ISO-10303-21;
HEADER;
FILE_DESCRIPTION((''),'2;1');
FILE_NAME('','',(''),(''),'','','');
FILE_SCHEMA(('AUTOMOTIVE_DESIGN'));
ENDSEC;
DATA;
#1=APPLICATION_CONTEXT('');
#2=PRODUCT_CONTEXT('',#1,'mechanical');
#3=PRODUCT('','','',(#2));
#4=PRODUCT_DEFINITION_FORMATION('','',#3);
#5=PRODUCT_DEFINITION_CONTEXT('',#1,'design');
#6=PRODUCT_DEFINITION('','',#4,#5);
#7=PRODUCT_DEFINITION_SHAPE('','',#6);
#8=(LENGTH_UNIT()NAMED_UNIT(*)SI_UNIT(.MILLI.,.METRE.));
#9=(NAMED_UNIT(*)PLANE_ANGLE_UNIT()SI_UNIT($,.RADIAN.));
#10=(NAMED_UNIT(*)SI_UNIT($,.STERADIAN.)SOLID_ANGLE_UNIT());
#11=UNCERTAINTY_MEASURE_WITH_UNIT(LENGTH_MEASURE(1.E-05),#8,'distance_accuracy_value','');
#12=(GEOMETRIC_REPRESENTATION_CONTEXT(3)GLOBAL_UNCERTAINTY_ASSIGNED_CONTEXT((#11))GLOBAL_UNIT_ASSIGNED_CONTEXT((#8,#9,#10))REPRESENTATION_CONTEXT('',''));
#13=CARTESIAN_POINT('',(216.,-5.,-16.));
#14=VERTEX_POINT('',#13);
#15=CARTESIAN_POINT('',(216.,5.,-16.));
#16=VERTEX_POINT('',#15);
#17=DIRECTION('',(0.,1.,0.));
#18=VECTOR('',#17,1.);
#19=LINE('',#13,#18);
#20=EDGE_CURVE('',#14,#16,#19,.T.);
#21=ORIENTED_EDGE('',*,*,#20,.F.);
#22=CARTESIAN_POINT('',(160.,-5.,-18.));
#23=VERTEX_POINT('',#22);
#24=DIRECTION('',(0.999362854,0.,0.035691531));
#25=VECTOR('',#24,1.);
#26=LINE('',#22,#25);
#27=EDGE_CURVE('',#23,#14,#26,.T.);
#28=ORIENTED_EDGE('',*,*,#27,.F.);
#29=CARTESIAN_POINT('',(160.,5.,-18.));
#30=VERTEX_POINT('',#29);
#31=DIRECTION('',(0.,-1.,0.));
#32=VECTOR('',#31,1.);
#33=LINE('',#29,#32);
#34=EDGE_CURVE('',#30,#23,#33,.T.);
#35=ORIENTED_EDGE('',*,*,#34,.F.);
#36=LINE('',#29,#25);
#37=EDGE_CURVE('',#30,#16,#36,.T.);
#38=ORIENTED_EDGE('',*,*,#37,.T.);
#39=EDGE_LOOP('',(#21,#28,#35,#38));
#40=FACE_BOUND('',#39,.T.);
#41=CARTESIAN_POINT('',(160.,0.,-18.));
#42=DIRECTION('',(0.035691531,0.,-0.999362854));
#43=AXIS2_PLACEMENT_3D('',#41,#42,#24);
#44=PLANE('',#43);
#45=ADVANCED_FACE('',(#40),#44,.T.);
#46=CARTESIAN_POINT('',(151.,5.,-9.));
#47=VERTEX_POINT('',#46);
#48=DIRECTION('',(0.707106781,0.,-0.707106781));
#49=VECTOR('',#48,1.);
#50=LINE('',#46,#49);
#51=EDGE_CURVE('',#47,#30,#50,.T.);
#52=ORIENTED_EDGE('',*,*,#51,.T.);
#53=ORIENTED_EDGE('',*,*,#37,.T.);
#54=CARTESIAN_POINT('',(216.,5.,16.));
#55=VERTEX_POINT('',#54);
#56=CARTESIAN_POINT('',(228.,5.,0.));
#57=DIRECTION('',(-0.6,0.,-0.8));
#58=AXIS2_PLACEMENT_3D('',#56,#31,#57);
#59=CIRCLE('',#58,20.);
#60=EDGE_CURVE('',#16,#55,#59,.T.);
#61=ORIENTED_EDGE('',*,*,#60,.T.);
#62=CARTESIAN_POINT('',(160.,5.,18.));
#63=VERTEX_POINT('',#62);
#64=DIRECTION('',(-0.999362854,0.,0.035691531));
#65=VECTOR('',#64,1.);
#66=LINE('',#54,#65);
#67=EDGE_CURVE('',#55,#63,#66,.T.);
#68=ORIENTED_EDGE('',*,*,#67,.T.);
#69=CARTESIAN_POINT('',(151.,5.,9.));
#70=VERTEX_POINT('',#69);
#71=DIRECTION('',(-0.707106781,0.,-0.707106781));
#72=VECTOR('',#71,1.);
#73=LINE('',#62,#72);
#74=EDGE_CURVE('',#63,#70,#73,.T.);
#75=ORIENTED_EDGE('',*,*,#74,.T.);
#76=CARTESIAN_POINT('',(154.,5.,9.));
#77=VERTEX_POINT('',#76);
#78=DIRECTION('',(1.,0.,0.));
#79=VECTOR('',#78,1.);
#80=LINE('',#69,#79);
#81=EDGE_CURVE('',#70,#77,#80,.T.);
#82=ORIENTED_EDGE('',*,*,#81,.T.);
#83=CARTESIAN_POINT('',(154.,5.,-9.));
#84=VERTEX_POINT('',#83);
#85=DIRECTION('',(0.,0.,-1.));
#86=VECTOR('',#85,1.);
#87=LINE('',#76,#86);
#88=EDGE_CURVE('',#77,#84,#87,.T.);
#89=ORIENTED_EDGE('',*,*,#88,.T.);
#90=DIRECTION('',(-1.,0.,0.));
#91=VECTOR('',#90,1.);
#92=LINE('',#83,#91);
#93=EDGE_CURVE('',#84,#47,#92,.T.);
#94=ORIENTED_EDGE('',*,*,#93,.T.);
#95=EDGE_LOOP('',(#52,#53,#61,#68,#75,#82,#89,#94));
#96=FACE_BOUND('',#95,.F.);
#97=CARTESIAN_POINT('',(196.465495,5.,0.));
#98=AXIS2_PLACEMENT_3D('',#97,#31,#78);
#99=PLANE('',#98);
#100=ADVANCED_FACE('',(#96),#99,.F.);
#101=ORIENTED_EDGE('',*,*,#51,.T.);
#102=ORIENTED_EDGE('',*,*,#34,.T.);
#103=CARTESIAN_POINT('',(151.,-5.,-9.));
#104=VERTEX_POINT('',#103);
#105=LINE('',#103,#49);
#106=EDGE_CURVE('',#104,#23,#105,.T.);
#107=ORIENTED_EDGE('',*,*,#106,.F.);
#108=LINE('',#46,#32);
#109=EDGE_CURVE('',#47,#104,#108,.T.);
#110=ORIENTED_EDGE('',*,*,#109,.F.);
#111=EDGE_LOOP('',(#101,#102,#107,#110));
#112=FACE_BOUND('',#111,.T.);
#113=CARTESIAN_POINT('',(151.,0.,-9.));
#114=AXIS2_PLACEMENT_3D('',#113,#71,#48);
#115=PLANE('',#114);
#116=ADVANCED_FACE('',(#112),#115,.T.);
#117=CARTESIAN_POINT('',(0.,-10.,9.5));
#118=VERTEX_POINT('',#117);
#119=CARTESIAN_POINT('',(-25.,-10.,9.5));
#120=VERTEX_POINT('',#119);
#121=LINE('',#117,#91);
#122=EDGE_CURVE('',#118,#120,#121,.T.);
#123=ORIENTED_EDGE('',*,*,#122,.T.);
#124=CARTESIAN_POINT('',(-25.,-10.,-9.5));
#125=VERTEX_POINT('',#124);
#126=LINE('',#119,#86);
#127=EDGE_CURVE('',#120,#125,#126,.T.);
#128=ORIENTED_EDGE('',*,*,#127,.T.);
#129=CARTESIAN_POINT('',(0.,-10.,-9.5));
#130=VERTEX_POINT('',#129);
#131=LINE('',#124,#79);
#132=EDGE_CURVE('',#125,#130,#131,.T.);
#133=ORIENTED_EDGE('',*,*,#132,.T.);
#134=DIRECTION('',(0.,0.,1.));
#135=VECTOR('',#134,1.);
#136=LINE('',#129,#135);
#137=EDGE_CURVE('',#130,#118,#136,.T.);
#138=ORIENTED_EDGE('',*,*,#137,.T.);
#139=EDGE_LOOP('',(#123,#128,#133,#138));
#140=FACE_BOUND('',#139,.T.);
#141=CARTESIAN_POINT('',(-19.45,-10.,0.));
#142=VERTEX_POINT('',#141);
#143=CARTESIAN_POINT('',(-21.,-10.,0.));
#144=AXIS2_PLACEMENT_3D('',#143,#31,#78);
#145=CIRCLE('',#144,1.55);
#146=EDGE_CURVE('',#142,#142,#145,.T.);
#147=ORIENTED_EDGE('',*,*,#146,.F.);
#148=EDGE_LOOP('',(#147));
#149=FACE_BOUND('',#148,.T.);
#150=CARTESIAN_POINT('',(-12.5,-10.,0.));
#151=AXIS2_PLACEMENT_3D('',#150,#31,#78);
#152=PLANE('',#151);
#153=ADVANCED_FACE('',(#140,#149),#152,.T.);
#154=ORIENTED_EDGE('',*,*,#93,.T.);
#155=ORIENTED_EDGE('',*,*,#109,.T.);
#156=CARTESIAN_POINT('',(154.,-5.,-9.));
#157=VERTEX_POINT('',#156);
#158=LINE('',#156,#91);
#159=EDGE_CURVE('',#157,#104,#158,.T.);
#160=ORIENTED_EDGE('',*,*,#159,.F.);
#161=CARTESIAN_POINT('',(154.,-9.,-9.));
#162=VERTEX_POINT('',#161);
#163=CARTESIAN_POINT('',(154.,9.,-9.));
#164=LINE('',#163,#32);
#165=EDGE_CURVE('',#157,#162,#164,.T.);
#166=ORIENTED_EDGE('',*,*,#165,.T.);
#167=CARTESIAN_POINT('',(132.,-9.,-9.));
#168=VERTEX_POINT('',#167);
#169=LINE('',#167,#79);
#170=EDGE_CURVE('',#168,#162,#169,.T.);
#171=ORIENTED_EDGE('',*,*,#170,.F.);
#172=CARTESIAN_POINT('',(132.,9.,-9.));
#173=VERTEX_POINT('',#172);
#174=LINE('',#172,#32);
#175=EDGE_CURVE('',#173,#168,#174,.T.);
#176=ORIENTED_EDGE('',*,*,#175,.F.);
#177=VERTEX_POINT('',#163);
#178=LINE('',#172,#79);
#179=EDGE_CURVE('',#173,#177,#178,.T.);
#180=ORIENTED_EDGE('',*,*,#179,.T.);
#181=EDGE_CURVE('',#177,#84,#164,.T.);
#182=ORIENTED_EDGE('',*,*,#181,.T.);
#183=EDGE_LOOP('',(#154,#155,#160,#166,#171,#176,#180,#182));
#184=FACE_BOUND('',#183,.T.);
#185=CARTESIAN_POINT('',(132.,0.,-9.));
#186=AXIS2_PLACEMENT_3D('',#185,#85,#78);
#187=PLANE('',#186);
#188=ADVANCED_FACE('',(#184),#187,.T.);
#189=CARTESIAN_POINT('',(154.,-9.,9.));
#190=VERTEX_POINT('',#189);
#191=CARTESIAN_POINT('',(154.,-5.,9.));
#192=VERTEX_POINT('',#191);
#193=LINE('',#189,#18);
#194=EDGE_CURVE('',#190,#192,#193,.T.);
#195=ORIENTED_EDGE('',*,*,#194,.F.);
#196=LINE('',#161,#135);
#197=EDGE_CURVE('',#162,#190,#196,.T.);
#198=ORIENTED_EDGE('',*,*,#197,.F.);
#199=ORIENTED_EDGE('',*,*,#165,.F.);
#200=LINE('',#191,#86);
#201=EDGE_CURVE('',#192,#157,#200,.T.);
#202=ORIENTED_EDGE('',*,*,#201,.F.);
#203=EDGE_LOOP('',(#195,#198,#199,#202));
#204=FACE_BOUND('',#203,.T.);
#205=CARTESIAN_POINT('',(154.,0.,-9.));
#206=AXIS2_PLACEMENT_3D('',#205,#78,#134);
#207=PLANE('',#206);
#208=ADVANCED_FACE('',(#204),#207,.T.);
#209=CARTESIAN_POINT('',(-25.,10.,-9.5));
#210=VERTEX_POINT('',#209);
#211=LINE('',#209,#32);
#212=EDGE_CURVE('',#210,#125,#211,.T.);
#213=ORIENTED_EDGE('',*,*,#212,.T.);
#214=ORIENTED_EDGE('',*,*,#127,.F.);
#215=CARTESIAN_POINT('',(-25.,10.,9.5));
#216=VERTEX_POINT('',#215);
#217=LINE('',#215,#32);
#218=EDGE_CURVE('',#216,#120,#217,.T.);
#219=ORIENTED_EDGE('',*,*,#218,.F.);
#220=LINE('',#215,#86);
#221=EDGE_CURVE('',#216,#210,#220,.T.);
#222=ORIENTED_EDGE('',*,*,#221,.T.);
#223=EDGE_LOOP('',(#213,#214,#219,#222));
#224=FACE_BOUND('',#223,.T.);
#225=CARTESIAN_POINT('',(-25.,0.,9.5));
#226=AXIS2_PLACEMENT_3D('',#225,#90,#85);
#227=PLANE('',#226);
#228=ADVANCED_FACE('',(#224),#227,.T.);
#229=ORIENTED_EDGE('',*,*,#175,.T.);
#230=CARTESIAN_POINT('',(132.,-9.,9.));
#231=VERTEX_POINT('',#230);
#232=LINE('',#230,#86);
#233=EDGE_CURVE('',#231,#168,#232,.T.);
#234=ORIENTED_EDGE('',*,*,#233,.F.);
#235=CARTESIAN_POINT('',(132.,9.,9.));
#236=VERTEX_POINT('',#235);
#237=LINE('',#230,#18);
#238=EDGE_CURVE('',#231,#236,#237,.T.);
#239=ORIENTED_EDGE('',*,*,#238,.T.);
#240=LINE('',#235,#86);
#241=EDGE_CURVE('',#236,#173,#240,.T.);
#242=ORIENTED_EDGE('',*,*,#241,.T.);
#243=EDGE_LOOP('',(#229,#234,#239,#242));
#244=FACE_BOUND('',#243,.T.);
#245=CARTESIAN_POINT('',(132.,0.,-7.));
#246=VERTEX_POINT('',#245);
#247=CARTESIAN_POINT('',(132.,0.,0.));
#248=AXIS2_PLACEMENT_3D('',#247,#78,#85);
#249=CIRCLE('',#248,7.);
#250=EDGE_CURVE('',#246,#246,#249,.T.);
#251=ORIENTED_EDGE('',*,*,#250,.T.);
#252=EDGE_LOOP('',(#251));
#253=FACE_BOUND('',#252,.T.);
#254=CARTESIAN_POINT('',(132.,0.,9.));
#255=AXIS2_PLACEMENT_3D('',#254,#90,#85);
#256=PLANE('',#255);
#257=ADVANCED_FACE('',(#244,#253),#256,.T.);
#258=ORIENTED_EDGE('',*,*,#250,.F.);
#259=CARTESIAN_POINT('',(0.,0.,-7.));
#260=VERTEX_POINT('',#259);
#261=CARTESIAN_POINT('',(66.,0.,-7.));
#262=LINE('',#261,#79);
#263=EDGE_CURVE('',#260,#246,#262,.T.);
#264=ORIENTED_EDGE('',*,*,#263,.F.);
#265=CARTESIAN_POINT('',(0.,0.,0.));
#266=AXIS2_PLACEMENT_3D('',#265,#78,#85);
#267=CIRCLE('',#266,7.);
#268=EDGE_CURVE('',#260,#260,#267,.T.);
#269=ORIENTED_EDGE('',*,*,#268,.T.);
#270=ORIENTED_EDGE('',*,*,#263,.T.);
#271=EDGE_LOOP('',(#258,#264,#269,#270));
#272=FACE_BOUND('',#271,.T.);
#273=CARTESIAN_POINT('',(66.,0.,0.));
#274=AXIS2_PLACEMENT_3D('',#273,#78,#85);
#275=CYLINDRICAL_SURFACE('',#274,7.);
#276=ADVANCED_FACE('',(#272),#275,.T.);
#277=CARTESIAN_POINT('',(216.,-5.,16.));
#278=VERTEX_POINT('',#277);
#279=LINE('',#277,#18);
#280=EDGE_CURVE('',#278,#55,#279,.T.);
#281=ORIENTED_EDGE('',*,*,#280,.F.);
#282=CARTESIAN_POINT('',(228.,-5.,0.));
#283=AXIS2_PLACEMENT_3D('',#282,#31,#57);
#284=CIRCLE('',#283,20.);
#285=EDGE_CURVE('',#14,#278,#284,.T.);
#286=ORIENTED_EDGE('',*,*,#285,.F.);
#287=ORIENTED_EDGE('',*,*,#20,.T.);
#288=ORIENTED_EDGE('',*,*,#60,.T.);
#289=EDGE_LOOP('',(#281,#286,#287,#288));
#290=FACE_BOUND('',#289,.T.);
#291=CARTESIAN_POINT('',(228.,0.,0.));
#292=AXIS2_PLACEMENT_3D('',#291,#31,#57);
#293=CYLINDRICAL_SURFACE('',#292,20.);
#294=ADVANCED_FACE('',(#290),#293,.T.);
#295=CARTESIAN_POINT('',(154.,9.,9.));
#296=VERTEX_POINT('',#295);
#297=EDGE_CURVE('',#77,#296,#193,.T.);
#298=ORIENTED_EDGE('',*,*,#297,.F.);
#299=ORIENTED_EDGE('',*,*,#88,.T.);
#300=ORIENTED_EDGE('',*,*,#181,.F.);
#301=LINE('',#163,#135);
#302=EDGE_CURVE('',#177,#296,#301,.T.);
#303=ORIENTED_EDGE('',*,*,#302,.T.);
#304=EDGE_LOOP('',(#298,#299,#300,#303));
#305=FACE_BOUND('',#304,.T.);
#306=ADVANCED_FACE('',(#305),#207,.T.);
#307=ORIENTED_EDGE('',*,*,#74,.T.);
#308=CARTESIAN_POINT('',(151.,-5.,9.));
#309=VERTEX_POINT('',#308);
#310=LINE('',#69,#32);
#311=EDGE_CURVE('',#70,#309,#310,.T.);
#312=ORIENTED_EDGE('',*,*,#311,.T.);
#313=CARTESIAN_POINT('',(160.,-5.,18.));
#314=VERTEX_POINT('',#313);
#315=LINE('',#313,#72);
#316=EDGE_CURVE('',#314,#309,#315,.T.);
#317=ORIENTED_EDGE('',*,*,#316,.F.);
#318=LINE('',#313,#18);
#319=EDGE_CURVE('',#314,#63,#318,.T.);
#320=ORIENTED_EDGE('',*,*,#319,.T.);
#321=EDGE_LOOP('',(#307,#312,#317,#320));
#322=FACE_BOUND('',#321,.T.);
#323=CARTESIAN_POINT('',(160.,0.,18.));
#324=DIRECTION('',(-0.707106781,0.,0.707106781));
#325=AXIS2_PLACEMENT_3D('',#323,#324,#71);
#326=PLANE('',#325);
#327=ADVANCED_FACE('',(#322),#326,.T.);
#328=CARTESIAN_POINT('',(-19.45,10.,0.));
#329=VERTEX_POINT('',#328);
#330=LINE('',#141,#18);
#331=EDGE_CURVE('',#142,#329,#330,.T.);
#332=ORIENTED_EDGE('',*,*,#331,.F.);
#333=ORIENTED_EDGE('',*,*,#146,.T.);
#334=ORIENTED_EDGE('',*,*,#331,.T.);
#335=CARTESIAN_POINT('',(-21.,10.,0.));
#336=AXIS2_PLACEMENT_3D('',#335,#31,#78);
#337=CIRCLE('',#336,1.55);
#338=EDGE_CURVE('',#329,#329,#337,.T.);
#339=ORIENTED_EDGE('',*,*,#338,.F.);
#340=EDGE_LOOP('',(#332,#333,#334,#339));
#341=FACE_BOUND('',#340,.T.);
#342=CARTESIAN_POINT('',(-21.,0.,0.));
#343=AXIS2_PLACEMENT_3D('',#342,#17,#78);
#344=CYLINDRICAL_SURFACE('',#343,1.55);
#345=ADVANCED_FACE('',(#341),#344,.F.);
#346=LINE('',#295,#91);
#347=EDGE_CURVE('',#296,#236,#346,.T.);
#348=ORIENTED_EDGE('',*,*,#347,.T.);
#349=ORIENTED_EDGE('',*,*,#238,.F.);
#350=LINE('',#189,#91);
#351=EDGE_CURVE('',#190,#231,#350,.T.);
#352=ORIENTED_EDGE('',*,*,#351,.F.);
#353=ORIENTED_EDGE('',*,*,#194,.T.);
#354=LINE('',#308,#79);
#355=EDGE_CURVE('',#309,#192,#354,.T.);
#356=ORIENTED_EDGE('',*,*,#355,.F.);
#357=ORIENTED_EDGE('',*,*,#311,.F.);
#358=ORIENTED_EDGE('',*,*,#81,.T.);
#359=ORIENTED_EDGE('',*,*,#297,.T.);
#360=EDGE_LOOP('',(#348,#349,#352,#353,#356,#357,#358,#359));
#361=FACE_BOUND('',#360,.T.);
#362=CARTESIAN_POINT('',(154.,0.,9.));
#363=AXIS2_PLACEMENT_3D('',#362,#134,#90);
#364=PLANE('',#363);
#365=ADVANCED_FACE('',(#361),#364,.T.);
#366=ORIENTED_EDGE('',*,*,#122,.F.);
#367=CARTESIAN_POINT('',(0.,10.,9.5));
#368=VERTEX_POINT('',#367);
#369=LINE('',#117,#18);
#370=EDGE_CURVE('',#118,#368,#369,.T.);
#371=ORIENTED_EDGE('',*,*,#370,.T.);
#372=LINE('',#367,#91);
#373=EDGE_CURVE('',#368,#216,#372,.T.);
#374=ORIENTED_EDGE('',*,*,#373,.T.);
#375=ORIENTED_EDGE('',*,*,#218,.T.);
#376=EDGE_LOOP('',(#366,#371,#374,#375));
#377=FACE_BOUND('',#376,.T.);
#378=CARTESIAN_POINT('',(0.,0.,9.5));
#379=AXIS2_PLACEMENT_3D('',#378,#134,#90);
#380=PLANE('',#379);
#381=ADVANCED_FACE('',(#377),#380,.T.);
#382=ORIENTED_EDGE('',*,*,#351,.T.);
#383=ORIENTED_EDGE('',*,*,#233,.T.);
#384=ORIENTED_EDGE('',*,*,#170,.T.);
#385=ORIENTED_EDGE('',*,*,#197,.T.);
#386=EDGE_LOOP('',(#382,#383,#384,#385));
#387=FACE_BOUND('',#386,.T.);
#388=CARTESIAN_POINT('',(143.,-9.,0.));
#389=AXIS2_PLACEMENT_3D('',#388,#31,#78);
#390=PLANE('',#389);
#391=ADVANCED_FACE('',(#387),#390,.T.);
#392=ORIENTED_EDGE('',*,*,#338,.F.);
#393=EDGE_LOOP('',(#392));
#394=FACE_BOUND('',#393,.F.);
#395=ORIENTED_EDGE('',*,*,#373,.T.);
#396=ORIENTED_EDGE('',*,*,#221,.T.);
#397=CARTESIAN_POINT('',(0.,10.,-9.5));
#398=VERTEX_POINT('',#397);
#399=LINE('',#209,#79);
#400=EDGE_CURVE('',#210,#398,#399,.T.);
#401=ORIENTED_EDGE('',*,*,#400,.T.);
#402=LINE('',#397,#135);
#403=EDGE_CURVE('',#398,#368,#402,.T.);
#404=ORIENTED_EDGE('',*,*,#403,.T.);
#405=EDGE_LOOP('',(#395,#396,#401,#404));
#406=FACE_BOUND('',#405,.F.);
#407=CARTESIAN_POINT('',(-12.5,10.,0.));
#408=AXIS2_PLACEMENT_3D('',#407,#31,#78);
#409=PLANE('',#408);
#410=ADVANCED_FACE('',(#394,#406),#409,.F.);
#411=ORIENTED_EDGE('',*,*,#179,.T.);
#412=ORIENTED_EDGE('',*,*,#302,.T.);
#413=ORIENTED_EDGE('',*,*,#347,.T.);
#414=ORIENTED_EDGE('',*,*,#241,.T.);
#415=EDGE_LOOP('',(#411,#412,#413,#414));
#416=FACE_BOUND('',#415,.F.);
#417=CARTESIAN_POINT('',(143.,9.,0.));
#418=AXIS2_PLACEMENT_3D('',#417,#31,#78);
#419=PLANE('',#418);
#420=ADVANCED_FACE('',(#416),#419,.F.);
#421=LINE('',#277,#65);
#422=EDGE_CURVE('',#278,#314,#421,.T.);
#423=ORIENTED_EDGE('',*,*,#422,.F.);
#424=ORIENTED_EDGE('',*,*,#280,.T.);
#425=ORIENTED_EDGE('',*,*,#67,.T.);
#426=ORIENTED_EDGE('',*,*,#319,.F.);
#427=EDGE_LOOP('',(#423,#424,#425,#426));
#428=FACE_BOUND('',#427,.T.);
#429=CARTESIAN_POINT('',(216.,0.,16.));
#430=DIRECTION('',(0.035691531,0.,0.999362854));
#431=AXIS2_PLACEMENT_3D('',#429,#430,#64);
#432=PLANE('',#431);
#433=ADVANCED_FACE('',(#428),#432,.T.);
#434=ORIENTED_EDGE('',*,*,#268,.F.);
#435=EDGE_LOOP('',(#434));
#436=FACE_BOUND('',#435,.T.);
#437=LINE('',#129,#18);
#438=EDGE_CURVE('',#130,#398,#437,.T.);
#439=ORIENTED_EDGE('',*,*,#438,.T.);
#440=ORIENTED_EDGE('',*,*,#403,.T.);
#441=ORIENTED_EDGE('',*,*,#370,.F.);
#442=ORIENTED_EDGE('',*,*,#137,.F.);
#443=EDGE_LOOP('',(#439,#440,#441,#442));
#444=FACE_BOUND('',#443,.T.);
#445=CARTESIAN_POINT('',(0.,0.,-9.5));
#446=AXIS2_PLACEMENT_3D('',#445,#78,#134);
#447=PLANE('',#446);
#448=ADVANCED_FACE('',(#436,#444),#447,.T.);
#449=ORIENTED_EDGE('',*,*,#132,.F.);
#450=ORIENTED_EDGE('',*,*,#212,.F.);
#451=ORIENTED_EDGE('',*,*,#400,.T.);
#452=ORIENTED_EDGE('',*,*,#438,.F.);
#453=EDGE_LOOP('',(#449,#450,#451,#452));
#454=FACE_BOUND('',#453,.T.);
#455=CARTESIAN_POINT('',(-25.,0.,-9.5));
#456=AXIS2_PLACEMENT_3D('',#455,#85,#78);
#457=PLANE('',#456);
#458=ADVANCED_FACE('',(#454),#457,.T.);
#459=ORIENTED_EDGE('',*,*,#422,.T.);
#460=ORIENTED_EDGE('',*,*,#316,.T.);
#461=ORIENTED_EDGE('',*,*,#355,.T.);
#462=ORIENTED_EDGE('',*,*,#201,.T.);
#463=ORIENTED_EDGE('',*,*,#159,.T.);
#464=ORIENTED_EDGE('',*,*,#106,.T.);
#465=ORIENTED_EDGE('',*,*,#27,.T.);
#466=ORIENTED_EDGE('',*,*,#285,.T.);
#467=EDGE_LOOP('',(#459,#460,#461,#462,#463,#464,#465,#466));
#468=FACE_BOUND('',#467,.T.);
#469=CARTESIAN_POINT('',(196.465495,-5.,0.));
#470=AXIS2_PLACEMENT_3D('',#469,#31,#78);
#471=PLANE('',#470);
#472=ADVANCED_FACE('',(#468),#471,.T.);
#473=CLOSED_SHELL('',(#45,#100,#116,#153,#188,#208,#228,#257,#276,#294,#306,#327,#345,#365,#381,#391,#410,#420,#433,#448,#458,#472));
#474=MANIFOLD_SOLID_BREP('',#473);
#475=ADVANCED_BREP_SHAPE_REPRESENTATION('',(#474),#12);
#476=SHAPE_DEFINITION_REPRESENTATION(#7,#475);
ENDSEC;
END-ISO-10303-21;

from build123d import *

# Parameters (mm, degrees)
F0_W     = 132
F0_H     = 7
F2_DEPTH = 9
F3_DEPTH = 5
F0_R     = 1.55
F4_DEPTH = 10


with BuildPart() as f1:
    # F0 (on Front) → F1 (revolve)
    with BuildSketch(Plane.XZ):
        with Locations((66, -3.5)):
            Rectangle(F0_W, F0_H)
    revolve(axis=Axis((66, 0, 0), (1, 0, 0)))

    # F0 (on Front) → F2 (join, symmetric)
    with BuildSketch(Plane.XZ):
        Polygon((132, 9), (132, 0), (132, -7), (132, -9), (151, -9), (154, -9), (154, 9), (151, 9), align=None)
    extrude(amount=F2_DEPTH, both=True)

    # F0 (on Front) → F3 (join, symmetric)
    with BuildSketch(Plane.XZ):
        with BuildLine():
            Line((160, 18), (151, 9))
            Line((151, 9), (154, 9))
            Line((154, 9), (154, -9))
            Line((154, -9), (151, -9))
            Line((151, -9), (160, -18))
            Line((160, -18), (216, -16))
            ThreePointArc((216, -16), (248, 0), (216, 16))
            Line((216, 16), (160, 18))
        make_face()
    extrude(amount=F3_DEPTH, both=True)

    # F0 (on Front) → F4 (join, symmetric)
    with BuildSketch(Plane.XZ):
        Polygon((0, -7), (0, 0), (0, 9.5), (-25, 9.5), (-25, -9.5), (0, -9.5), align=None)
        with Locations((-21, 0)):
            Circle(F0_R, mode=Mode.SUBTRACT)
    extrude(amount=F4_DEPTH, both=True)


solid = f1.part
